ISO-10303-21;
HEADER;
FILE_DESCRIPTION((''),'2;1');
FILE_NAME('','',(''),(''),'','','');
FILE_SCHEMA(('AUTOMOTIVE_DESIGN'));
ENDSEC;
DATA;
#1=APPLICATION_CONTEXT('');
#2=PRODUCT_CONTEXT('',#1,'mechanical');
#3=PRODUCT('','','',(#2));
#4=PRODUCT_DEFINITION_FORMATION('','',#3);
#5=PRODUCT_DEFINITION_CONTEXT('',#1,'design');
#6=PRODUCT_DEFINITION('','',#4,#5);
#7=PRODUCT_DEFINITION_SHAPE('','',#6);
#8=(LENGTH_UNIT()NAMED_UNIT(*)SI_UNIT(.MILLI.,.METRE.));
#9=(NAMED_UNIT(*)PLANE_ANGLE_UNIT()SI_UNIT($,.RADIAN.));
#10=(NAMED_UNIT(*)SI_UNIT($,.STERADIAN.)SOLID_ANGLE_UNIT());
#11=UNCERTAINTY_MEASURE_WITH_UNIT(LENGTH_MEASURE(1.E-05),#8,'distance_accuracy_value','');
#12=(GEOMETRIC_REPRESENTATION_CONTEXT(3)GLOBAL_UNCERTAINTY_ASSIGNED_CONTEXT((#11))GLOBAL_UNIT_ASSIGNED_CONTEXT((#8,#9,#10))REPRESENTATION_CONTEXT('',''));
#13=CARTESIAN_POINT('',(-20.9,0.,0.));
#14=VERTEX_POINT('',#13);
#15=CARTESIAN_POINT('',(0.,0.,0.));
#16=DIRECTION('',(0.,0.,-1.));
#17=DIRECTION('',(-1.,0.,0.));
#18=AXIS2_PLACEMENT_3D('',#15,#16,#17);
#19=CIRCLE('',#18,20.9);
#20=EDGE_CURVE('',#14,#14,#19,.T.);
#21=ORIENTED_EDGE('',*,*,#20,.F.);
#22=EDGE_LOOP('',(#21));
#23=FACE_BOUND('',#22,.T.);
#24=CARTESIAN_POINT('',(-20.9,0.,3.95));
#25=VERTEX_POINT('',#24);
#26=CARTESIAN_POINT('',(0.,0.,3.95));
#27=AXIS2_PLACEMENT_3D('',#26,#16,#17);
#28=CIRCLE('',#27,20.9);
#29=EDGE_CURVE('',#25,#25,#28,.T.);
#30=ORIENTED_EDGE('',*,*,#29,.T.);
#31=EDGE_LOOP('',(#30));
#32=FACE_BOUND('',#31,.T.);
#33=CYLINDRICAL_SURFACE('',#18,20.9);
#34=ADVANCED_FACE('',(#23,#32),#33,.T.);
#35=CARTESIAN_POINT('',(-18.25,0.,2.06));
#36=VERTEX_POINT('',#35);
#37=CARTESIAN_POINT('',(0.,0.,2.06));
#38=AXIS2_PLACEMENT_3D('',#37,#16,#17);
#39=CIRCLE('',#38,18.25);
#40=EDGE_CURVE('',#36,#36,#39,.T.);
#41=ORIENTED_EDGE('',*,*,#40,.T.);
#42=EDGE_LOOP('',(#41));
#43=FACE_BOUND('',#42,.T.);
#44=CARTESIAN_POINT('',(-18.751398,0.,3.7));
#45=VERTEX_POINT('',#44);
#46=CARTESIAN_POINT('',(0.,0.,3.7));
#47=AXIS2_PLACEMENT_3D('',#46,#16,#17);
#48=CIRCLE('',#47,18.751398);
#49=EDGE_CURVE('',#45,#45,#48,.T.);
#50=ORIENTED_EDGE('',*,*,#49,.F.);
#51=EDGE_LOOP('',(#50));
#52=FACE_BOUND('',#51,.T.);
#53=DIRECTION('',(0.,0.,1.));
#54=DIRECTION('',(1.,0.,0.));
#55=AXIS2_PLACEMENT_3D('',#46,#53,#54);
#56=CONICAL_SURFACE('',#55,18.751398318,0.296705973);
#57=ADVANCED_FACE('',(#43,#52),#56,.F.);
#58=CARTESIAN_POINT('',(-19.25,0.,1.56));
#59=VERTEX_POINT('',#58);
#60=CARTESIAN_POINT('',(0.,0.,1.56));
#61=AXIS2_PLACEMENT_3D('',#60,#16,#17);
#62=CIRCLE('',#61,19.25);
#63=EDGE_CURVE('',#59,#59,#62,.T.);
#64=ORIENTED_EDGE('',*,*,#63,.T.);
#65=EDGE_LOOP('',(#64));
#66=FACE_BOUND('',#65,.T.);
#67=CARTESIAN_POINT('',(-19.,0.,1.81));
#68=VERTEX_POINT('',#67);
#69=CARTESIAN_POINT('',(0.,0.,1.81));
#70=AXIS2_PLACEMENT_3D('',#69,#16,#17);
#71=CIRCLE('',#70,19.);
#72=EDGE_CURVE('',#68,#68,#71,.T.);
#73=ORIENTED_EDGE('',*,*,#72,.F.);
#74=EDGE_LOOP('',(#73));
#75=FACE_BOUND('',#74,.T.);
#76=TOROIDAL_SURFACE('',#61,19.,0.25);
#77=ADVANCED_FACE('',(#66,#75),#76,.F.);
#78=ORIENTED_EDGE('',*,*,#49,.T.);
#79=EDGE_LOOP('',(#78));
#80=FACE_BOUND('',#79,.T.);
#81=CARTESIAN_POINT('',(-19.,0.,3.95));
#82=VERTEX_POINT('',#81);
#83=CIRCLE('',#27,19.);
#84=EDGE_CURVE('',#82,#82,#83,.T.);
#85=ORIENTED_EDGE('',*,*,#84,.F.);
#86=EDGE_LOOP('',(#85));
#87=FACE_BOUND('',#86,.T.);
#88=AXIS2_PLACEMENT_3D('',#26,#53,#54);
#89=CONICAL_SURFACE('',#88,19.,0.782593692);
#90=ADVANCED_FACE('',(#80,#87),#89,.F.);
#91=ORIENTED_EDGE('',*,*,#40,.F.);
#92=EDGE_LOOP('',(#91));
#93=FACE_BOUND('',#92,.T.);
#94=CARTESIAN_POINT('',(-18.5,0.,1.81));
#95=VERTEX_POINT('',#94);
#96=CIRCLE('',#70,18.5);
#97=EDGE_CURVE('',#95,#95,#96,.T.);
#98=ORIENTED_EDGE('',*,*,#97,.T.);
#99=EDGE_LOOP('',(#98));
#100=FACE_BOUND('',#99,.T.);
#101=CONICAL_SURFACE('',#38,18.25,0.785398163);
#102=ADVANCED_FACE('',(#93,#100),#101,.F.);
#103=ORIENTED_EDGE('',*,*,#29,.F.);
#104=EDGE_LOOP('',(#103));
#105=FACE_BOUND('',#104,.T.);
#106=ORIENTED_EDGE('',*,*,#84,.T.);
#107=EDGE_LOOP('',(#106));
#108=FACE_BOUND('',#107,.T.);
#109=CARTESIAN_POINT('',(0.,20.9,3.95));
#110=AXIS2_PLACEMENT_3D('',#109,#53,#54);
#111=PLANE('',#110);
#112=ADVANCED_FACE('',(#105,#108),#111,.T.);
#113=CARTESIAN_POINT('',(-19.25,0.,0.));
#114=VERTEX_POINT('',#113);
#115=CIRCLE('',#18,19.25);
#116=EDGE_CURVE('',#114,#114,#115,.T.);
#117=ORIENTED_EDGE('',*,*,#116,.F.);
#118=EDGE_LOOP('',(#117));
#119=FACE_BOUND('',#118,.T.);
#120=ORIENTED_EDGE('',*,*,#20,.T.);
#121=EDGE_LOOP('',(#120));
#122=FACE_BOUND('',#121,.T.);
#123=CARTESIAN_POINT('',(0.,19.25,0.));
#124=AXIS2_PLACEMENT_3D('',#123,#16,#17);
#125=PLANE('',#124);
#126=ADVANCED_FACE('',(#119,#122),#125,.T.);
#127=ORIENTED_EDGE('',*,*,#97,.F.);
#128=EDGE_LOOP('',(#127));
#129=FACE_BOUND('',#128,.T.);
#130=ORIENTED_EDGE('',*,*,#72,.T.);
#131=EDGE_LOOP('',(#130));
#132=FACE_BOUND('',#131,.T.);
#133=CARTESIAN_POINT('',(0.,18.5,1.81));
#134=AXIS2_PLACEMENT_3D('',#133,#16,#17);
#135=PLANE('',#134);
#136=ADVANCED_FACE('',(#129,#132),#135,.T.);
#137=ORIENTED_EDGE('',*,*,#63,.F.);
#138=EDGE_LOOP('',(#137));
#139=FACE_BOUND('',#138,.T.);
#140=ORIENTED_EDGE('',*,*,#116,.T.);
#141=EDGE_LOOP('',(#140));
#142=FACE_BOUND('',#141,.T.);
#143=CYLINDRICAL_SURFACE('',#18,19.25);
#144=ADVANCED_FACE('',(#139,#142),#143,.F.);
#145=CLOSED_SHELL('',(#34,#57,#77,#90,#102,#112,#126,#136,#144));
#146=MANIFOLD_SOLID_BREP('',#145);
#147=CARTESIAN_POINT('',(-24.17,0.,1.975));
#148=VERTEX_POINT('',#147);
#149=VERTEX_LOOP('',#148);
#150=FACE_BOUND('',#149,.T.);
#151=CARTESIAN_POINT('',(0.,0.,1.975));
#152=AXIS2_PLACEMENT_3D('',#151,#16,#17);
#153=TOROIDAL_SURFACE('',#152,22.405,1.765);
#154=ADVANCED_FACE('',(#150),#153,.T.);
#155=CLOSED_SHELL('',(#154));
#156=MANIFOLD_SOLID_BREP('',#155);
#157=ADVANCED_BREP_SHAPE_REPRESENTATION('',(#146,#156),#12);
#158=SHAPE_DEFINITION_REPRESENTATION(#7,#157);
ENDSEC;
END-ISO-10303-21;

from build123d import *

# Parameters (mm, degrees)
SKETCH4_R = 1.765


with BuildPart() as part:
    # Sketch1 → Revolve1 (revolve)
    with BuildSketch(Plane(origin=(0, 0, 0), x_dir=(0, 0, -1), z_dir=(1, 0, 0)), mode=Mode.PRIVATE) as revolve1_sk:
        with BuildLine():
            Line((0, 19.25), (0, 20.9))
            Line((0, 20.9), (-3.95, 20.9))
            Line((-3.95, 20.9), (-3.95, 19))
            Line((-3.95, 19), (-3.7, 18.751398318))
            Line((-3.7, 18.751398318), (-2.06, 18.25))
            Line((-2.06, 18.25), (-1.81, 18.5))
            Line((-1.81, 18.5), (-1.81, 19))
            ThreePointArc((-1.81, 19), (-1.736776695, 19.176776695), (-1.56, 19.25))
            Line((-1.56, 19.25), (0, 19.25))
        make_face()
    revolve(revolve1_sk.sketch.rotate(Axis((0, 0, 0), (0, 0, 1)), 90), axis=Axis((0, 0, 0), (0, 0, 1)))


with BuildPart() as body_2:
    # Sketch4 → Revolve2 (revolve)
    with BuildSketch(Plane(origin=(0, 0, 0), x_dir=(0, 0, -1), z_dir=(1, 0, 0)), mode=Mode.PRIVATE) as revolve2_sk:
        with Locations((-1.975, 22.405)):
            Circle(SKETCH4_R)
    revolve(revolve2_sk.sketch.rotate(Axis((0, 0, 0), (0, 0, 1)), 90), axis=Axis((0, 0, 0), (0, 0, 1)))


solid = Compound([part.part, body_2.part])
